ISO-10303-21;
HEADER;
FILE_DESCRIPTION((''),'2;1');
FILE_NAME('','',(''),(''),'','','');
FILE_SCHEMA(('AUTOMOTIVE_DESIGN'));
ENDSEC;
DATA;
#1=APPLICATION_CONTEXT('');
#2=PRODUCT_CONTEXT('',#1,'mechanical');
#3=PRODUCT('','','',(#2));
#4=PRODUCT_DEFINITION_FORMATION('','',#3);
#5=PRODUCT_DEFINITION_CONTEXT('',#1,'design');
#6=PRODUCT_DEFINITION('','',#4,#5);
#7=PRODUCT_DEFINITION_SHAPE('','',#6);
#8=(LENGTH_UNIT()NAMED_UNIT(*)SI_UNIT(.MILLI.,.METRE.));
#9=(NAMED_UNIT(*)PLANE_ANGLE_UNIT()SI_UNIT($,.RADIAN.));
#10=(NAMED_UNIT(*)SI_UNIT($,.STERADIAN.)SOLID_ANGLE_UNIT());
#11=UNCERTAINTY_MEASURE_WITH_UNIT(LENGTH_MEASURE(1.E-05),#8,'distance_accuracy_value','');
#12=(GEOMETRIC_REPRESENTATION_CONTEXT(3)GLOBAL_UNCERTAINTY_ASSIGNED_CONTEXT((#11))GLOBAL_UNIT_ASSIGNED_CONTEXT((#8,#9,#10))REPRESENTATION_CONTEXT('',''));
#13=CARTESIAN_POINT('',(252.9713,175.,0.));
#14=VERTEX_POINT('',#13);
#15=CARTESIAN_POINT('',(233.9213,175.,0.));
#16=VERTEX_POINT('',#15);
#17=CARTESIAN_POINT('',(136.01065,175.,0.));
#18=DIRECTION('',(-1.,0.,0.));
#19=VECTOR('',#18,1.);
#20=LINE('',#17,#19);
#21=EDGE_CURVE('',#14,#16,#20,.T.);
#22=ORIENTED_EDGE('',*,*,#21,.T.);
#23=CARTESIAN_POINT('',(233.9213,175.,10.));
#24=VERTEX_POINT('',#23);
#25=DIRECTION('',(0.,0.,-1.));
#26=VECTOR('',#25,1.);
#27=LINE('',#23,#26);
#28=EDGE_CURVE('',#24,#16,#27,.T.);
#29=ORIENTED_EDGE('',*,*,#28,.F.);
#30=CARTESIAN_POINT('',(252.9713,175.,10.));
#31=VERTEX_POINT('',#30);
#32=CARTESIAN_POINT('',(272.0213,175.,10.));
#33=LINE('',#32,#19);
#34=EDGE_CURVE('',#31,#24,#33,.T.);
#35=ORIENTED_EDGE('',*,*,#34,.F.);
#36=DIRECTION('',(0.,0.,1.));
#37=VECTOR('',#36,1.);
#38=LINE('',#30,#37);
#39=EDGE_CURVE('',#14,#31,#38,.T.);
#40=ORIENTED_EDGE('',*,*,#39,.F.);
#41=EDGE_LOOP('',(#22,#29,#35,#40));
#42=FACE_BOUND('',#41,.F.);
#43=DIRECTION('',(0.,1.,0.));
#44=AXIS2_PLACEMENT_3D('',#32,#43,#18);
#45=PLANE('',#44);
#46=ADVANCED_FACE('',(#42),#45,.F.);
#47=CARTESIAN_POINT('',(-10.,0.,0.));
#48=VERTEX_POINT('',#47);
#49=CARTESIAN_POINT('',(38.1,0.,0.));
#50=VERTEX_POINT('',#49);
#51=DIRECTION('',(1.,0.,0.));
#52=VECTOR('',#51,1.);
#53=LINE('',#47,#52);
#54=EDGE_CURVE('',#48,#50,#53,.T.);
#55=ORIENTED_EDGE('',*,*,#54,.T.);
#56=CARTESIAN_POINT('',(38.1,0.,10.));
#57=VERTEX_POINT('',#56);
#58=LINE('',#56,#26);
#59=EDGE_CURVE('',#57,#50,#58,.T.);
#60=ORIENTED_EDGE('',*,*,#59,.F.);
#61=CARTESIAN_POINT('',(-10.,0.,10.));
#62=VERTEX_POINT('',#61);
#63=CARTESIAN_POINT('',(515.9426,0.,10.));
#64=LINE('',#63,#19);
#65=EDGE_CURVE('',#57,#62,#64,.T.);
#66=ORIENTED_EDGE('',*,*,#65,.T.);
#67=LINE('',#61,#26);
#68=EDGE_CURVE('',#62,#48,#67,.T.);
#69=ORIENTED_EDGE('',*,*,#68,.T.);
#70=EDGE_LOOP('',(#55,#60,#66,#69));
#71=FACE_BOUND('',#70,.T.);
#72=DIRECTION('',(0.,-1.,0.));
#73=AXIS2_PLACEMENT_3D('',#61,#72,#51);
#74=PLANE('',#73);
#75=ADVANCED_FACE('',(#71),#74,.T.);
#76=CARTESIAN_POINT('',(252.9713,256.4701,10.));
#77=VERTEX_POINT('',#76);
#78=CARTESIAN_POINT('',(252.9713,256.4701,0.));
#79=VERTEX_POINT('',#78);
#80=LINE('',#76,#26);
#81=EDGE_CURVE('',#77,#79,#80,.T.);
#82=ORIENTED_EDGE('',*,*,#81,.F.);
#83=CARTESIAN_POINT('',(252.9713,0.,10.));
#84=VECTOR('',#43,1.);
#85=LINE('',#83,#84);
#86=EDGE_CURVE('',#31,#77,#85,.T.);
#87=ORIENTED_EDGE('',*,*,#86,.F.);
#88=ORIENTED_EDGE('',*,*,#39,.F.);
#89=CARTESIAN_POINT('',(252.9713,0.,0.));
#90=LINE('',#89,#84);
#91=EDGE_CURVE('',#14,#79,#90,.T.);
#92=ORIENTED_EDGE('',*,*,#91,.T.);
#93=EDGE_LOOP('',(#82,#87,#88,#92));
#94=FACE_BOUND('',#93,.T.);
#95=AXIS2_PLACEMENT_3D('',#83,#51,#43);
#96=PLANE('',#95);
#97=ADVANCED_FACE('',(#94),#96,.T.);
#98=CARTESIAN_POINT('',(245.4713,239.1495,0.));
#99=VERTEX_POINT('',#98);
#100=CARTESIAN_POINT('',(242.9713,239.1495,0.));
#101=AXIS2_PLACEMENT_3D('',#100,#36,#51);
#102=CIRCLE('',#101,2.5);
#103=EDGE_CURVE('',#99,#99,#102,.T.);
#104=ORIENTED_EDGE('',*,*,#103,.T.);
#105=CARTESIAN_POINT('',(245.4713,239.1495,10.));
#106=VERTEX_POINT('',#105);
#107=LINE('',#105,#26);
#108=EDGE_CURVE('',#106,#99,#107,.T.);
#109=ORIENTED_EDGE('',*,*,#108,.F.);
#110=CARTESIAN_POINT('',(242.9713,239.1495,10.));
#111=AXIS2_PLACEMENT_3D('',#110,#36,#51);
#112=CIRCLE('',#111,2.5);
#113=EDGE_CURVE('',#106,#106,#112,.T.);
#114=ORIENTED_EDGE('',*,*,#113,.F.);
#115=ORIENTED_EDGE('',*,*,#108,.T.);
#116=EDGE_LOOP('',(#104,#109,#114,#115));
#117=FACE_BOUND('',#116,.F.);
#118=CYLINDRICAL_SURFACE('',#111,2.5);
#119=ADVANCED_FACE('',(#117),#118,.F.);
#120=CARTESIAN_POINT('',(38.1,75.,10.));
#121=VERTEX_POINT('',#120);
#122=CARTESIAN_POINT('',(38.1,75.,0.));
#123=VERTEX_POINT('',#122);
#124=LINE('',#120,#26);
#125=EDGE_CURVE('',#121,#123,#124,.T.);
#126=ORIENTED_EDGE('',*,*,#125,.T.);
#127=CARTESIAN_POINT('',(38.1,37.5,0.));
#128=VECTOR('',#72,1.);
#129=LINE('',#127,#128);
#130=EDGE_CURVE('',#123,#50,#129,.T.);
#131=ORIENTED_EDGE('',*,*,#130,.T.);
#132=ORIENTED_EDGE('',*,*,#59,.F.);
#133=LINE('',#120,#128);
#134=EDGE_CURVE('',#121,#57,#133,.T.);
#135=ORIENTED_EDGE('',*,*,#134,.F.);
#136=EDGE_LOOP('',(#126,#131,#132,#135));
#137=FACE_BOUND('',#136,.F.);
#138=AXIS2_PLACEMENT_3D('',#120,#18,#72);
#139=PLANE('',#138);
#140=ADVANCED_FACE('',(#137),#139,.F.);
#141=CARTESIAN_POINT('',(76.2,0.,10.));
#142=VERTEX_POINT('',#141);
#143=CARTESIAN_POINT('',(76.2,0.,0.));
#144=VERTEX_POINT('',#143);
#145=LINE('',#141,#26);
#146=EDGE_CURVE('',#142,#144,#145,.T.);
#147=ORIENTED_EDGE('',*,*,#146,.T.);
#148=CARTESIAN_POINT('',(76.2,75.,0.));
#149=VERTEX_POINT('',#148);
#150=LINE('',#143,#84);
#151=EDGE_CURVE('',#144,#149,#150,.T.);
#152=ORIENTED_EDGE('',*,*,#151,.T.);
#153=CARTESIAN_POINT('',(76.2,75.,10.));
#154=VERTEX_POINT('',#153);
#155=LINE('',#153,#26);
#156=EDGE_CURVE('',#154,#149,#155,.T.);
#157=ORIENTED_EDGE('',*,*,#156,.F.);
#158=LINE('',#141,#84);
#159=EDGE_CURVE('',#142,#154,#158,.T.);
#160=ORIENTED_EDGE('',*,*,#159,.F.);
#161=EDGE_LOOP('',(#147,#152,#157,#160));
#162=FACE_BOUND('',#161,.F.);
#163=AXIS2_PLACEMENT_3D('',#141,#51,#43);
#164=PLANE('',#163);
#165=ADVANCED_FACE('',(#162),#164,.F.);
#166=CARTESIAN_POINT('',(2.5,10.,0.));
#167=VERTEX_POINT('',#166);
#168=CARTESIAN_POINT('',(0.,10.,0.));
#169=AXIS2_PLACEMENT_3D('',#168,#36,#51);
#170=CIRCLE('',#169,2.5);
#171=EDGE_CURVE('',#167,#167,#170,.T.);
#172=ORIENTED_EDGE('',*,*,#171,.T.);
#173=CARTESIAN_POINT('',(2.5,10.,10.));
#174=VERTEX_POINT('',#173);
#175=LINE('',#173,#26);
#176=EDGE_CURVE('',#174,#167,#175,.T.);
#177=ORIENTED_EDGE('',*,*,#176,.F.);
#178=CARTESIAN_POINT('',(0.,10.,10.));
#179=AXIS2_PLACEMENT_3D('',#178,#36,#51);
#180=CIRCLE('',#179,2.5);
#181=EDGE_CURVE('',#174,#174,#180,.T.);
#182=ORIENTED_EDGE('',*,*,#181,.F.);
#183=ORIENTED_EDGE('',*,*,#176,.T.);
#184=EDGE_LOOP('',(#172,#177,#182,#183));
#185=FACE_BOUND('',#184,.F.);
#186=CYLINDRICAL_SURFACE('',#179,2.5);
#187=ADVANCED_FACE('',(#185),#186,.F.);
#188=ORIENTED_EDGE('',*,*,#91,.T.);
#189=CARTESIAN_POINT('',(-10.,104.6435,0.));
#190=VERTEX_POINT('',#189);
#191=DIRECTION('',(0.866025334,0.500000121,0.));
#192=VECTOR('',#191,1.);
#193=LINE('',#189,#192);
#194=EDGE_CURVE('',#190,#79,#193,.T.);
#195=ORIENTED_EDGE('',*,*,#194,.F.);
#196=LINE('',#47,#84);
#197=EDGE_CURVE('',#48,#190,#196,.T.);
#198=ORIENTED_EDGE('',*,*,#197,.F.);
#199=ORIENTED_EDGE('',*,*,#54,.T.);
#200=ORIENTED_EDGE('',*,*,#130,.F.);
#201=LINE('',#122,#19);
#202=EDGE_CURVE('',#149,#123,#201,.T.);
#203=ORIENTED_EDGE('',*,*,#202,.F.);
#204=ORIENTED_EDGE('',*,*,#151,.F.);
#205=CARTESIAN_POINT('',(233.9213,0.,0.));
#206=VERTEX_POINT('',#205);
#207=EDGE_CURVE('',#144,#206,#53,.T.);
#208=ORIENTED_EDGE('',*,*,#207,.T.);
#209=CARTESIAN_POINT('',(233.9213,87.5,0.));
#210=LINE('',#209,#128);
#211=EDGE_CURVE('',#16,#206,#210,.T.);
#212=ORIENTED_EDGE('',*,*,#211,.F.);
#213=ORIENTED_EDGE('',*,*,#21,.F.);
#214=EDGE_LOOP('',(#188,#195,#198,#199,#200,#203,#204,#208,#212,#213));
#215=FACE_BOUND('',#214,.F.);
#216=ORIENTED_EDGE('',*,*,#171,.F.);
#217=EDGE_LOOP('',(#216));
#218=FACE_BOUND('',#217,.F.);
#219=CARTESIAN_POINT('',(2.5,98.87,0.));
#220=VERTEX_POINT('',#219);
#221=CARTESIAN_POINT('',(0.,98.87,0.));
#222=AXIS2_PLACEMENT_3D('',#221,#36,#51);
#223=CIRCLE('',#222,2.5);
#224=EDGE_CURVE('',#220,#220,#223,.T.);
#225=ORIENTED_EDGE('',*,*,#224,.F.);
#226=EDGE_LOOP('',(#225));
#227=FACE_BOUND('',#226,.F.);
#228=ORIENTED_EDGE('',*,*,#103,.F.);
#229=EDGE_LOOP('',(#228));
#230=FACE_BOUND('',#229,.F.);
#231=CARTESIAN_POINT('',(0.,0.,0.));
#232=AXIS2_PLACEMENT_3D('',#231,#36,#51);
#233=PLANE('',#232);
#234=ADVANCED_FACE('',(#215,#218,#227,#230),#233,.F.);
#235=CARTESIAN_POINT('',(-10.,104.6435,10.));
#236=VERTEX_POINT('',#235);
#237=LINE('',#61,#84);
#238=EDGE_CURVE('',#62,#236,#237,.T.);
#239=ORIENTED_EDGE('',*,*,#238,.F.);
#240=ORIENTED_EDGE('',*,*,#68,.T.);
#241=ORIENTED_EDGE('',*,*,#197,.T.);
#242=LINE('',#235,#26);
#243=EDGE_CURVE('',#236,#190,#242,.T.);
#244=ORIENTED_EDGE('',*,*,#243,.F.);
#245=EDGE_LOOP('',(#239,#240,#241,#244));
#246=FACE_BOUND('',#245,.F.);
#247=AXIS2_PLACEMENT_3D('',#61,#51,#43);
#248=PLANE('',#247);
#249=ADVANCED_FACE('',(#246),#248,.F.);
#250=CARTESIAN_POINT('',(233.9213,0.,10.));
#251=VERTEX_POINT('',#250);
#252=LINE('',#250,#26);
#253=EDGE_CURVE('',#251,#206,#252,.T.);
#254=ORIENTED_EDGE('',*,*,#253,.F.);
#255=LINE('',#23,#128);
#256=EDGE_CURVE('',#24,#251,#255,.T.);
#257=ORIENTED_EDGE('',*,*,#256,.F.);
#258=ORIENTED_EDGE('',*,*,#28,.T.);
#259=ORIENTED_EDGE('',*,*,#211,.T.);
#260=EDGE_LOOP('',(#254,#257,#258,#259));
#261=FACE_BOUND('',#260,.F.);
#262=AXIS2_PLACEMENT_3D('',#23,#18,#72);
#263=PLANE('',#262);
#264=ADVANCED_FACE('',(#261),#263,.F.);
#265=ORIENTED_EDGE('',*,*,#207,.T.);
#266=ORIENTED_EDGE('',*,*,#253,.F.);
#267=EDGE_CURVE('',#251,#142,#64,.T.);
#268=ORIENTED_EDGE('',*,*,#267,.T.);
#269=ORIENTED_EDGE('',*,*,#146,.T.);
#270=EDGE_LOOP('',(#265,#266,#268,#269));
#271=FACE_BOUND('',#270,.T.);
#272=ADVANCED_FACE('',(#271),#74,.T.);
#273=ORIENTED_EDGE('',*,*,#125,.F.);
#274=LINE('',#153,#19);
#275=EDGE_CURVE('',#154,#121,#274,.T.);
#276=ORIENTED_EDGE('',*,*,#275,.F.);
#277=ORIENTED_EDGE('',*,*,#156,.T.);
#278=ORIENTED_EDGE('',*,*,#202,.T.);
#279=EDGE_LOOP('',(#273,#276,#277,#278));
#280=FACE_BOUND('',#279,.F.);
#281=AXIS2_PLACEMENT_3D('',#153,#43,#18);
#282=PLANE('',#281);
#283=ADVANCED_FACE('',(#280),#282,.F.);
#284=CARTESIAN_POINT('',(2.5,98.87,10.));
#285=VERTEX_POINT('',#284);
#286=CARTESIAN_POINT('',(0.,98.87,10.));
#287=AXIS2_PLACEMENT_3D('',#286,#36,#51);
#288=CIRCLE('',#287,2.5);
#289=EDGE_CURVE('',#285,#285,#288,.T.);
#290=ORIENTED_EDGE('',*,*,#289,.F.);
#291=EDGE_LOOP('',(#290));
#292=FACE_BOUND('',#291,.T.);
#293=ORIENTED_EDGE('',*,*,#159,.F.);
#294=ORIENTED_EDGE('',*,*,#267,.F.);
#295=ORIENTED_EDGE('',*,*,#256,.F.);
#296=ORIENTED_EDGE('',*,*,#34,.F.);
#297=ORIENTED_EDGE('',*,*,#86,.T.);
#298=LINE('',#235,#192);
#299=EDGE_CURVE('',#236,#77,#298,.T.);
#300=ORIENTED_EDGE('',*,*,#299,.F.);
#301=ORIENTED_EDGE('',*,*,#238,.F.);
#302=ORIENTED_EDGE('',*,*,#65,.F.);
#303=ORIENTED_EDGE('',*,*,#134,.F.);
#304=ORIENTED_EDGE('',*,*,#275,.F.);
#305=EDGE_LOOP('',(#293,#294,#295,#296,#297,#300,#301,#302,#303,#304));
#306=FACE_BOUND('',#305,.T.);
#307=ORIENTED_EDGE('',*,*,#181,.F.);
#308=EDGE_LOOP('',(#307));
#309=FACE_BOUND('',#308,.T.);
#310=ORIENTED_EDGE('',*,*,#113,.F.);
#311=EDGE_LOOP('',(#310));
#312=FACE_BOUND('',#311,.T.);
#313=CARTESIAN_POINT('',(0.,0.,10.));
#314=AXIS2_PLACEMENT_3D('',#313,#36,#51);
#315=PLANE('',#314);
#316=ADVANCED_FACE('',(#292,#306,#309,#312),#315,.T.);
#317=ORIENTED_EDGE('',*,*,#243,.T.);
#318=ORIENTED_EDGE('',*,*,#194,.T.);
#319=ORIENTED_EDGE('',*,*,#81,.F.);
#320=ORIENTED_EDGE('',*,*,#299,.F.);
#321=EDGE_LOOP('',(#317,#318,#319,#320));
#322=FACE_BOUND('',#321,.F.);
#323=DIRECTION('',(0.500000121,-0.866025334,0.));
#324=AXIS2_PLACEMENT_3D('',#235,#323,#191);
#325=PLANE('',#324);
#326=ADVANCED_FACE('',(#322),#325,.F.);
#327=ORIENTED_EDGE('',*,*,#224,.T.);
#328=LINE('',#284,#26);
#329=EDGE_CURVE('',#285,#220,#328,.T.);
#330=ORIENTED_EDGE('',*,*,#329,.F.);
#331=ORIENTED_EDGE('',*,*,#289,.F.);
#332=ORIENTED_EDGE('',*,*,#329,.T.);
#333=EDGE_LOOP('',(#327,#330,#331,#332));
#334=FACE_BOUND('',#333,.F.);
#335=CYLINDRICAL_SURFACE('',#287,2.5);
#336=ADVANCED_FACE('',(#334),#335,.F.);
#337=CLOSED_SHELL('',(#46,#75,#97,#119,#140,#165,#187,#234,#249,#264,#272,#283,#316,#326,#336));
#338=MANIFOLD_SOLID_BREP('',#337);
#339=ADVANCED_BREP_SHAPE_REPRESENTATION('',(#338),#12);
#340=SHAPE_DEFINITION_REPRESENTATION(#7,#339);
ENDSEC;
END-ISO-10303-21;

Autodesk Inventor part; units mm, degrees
ref_plane "YZ Plane" through (0, 0, 0) normal (1, 0, 0) x (0, 1, 0)
ref_plane "XZ Plane" through (0, 0, 0) normal (0, 1, 0) x (-1, 0, 0)
ref_plane "XY Plane" through (0, 0, 0) normal (0, 0, 1) x (1, 0, 0)
sketch "Sketch1" plane through (0, 0, 0) normal (0, 0, 1) x (1, 0, 0)
  line L0 (0, 0) -> (505.9426, 0)
  line L1 (505.9426, 0) -> (505.9426, 98.87)
  line L2 (505.9426, 98.87) -> (0, 98.87)
  line L3 (0, 98.87) -> (0, 0)
  line L4 (0, 98.87) -> (252.9713, 244.923)
  line L5 (252.9713, 244.923) -> (505.9426, 98.87)
  point P0 (252.9713, 98.87)
  dimension "d0" = 505.9426
  dimension "d1" = 98.87
  dimension "d2" = 30
extrude "Extrusion1" add sketch "Sketch1" along normal blind 10
sketch "Sketch2" plane through (0, 0, 10) normal (0, 0, 1) x (1, 0, 0)
  line L0 (0, 98.87) -> (0, 0) projected
  line L1 (252.9713, 244.923) -> (0, 98.87) projected
  line L2 (505.9426, 98.87) -> (252.9713, 244.923) projected
  line L3 (505.9426, 0) -> (505.9426, 98.87) projected
  line L4 (-10, 0) -> (-10, 104.6435)
  line L5 (-10, 104.6435) -> (252.9713, 256.4701)
  line L6 (252.9713, 256.4701) -> (515.9426, 104.6435)
  line L7 (515.9426, 104.6435) -> (515.9426, 0)
  line L8 (-10, 0) -> (0, 0)
  line L9 (0, 0) -> (505.9426, 0) projected
  line L10 (505.9426, 0) -> (515.9426, 0)
  dimension "d5" = 10
extrude "Extrusion2" add sketch "Sketch2" against normal blind 10 contours L0 L8 L4 L5 L6 L7 L10 L3 L2 L1
sketch "Sketch3" plane through (0, 0, 10) normal (0, 0, 1) x (1, 0, 0)
  line L0 (252.9713, 256.4701) -> (515.9426, 104.6435) projected
  line L1 (515.9426, 104.6435) -> (515.9426, 0) projected
  line L2 (252.9713, 256.4701) -> (515.9426, 256.4701)
  line L3 (515.9426, 256.4701) -> (515.9426, 0)
  line L4 (515.9426, 0) -> (252.9713, 0)
  line L5 (252.9713, 0) -> (252.9713, 256.4701)
  point P0 (0, 0)
extrude "Extrusion3" cut sketch "Sketch3" against normal through all
sketch "Sketch4" plane through (0, 0, 10) normal (0, 0, 1) x (1, 0, 0)
  line L0 (252.9713, 0) -> (252.9713, 256.4701) construction
  line L1 (252.9713, 256.4701) -> (-10, 104.6435) construction
  line L2 (-10, 104.6435) -> (-10, 0) construction
  line L3 (-10, 0) -> (252.9713, 0) construction
  line L4 (0, 98.87) -> (242.9713, 239.1495) construction
  line L5 (242.9713, 239.1495) -> (242.9713, 10) construction
  line L6 (242.9713, 10) -> (0, 10) construction
  line L7 (0, 10) -> (0, 98.87) construction
  circle A0 centre (0, 10) radius 2.5
  circle A1 centre (0, 98.87) radius 2.5
  circle A2 centre (242.9713, 239.1495) radius 2.5
  circle A3 centre (242.9713, 10) radius 2.5
  point P0 (0, 0)
  dimension "d10" = 10
  dimension "d11" = 5
  dimension "d12" = 5
  dimension "d13" = 5
  dimension "d14" = 5
extrude "Extrusion4" cut sketch "Sketch4" against normal through all
sketch "Sketch5" plane through (0, 0, 10) normal (0, 0, 1) x (1, 0, 0)
  line L0 (272.0213, 175) -> (233.9213, 175)
  line L1 (233.9213, 175) -> (233.9213, 0)
  line L2 (233.9213, 0) -> (272.0213, 0)
  line L3 (272.0213, 0) -> (272.0213, 175)
  line L4 (-10, 0) -> (252.9713, 0) projected
  line L5 (38.1, 0) -> (76.2, 0)
  line L6 (76.2, 0) -> (76.2, 75)
  line L7 (76.2, 75) -> (38.1, 75)
  line L8 (38.1, 75) -> (38.1, 0)
  line L9 (-10, 0) -> (-10, 104.6435) projected
  point P0 (0, 0)
  point P1 (252.9713, 175)
  dimension "d17" = 38.1
  dimension "d18" = 38.1
  dimension "d19" = 48.1
  dimension "d20" = 75
  dimension "d23" = 175
extrude "Extrusion5" cut sketch "Sketch5" against normal through all
properties part number "BA10" material "ABS Plastic"
